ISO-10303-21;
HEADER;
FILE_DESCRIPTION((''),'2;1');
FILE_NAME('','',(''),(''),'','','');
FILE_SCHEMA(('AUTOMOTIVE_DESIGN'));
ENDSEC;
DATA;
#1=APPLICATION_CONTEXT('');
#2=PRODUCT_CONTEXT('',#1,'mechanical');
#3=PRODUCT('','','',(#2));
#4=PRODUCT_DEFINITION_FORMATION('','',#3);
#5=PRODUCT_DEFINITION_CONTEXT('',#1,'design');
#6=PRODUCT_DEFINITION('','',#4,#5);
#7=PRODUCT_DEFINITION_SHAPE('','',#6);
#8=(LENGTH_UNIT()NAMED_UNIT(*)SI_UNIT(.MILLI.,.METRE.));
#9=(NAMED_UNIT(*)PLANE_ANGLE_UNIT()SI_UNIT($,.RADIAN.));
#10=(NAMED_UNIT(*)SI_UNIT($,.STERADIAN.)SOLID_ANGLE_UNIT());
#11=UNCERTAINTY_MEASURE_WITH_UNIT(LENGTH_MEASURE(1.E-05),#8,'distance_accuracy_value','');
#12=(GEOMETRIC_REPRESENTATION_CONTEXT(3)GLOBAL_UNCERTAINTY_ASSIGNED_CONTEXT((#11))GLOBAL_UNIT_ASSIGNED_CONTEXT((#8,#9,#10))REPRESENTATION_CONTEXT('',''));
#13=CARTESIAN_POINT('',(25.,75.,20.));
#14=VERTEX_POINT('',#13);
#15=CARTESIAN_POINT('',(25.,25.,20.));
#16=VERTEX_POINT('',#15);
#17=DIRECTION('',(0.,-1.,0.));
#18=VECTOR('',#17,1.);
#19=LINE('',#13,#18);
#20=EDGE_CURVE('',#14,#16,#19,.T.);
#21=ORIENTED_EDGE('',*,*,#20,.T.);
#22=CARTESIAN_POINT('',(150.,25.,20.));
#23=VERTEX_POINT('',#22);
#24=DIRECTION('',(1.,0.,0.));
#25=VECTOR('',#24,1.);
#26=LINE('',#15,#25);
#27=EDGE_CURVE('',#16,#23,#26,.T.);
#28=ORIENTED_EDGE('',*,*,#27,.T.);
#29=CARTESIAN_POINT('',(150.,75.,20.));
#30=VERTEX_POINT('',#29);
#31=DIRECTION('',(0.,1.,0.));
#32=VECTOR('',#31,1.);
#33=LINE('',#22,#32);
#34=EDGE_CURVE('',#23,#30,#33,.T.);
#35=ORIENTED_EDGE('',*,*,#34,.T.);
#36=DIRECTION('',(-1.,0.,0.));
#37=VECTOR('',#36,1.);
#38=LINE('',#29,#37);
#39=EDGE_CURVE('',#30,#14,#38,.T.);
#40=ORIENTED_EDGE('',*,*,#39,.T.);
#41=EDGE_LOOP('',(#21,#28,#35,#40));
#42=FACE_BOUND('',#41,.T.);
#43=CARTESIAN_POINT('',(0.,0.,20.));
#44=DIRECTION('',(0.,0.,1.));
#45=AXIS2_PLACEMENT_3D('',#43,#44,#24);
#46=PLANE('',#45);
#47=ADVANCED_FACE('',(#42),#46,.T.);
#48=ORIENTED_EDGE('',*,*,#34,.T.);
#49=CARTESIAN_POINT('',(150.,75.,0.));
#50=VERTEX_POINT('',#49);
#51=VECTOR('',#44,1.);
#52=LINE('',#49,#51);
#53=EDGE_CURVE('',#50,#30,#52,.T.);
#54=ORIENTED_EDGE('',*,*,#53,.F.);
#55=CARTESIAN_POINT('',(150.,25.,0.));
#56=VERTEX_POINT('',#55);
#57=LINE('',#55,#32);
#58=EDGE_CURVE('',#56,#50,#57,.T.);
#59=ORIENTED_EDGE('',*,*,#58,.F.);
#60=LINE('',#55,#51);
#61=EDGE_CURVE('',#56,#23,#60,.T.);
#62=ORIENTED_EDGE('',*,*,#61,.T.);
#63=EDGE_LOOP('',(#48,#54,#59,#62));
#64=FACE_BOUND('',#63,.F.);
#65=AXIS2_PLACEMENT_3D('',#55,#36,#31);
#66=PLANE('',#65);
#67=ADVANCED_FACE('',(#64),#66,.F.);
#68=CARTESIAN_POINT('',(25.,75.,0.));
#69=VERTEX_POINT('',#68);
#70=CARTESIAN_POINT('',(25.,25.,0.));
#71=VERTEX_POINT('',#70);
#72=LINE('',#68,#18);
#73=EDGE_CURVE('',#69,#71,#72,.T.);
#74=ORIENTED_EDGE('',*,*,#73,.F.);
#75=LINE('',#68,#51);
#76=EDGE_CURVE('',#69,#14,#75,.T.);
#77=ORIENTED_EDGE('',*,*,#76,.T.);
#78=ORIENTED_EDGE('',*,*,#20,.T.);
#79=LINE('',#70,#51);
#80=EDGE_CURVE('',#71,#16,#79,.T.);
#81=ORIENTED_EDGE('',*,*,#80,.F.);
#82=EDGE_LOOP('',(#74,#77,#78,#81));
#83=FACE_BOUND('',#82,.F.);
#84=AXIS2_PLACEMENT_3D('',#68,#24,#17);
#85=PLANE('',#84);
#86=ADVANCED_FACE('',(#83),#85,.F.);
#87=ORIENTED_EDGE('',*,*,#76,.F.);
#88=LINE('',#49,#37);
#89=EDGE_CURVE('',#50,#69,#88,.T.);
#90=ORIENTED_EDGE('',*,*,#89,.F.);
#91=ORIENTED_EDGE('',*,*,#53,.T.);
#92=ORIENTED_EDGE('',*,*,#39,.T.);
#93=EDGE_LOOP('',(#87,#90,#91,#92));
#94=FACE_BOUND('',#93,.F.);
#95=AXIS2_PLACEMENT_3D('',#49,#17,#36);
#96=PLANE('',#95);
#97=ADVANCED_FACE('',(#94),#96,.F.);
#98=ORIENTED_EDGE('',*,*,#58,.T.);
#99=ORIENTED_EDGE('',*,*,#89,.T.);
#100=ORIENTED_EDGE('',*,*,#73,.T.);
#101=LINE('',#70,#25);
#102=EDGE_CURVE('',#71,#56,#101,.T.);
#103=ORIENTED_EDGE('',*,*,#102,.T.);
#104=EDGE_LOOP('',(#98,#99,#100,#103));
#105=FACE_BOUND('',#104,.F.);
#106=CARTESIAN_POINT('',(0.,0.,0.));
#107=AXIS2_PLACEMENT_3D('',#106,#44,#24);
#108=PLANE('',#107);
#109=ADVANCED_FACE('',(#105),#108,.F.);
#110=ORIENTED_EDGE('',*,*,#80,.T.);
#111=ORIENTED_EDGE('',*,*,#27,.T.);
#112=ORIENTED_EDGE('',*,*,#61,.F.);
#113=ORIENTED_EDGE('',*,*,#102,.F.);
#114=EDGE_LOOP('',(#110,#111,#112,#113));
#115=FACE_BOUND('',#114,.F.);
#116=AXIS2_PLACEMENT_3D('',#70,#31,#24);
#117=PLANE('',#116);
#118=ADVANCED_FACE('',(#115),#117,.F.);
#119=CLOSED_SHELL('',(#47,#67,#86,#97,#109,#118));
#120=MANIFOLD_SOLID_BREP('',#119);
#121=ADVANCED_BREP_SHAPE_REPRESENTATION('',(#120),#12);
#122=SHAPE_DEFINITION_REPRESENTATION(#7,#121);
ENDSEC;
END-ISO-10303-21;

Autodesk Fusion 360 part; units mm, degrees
sketch "Sketch1" plane through (0, 0, 0) normal (0, 0, 1) x (1, 0, 0)
  line L0 (25, 25) -> (150, 25)
  line L1 (150, 25) -> (150, 75)
  line L2 (150, 75) -> (25, 75)
  line L3 (25, 75) -> (25, 25)
extrude "Extrude1" add sketch "Sketch1" along normal blind 20
sketch "Sketch2" plane through (0, 0, 0) normal (0, 0, 1) x (1, 0, 0)
  line L0 (35, 65) -> (135, 65)
  line L1 (135, 65) -> (135, 35)
  line L2 (135, 35) -> (35, 35)
  line L3 (35, 35) -> (35, 65)
  line L4 (45, 65) -> (45, 35)
  line L5 (55, 65) -> (55, 35)
  line L6 (65, 35) -> (65, 65)
  line L7 (75, 65) -> (75, 35)
  line L8 (85, 35) -> (85, 65)
  line L9 (95, 65) -> (95, 35)
  line L10 (105, 35) -> (105, 65)
  line L11 (115, 65) -> (115, 35)
  line L12 (125, 35) -> (125, 65)
  line L13 (135, 35) -> (145, 35)
  line L14 (145, 35) -> (145, 65)
  line L15 (145, 65) -> (135, 65)
